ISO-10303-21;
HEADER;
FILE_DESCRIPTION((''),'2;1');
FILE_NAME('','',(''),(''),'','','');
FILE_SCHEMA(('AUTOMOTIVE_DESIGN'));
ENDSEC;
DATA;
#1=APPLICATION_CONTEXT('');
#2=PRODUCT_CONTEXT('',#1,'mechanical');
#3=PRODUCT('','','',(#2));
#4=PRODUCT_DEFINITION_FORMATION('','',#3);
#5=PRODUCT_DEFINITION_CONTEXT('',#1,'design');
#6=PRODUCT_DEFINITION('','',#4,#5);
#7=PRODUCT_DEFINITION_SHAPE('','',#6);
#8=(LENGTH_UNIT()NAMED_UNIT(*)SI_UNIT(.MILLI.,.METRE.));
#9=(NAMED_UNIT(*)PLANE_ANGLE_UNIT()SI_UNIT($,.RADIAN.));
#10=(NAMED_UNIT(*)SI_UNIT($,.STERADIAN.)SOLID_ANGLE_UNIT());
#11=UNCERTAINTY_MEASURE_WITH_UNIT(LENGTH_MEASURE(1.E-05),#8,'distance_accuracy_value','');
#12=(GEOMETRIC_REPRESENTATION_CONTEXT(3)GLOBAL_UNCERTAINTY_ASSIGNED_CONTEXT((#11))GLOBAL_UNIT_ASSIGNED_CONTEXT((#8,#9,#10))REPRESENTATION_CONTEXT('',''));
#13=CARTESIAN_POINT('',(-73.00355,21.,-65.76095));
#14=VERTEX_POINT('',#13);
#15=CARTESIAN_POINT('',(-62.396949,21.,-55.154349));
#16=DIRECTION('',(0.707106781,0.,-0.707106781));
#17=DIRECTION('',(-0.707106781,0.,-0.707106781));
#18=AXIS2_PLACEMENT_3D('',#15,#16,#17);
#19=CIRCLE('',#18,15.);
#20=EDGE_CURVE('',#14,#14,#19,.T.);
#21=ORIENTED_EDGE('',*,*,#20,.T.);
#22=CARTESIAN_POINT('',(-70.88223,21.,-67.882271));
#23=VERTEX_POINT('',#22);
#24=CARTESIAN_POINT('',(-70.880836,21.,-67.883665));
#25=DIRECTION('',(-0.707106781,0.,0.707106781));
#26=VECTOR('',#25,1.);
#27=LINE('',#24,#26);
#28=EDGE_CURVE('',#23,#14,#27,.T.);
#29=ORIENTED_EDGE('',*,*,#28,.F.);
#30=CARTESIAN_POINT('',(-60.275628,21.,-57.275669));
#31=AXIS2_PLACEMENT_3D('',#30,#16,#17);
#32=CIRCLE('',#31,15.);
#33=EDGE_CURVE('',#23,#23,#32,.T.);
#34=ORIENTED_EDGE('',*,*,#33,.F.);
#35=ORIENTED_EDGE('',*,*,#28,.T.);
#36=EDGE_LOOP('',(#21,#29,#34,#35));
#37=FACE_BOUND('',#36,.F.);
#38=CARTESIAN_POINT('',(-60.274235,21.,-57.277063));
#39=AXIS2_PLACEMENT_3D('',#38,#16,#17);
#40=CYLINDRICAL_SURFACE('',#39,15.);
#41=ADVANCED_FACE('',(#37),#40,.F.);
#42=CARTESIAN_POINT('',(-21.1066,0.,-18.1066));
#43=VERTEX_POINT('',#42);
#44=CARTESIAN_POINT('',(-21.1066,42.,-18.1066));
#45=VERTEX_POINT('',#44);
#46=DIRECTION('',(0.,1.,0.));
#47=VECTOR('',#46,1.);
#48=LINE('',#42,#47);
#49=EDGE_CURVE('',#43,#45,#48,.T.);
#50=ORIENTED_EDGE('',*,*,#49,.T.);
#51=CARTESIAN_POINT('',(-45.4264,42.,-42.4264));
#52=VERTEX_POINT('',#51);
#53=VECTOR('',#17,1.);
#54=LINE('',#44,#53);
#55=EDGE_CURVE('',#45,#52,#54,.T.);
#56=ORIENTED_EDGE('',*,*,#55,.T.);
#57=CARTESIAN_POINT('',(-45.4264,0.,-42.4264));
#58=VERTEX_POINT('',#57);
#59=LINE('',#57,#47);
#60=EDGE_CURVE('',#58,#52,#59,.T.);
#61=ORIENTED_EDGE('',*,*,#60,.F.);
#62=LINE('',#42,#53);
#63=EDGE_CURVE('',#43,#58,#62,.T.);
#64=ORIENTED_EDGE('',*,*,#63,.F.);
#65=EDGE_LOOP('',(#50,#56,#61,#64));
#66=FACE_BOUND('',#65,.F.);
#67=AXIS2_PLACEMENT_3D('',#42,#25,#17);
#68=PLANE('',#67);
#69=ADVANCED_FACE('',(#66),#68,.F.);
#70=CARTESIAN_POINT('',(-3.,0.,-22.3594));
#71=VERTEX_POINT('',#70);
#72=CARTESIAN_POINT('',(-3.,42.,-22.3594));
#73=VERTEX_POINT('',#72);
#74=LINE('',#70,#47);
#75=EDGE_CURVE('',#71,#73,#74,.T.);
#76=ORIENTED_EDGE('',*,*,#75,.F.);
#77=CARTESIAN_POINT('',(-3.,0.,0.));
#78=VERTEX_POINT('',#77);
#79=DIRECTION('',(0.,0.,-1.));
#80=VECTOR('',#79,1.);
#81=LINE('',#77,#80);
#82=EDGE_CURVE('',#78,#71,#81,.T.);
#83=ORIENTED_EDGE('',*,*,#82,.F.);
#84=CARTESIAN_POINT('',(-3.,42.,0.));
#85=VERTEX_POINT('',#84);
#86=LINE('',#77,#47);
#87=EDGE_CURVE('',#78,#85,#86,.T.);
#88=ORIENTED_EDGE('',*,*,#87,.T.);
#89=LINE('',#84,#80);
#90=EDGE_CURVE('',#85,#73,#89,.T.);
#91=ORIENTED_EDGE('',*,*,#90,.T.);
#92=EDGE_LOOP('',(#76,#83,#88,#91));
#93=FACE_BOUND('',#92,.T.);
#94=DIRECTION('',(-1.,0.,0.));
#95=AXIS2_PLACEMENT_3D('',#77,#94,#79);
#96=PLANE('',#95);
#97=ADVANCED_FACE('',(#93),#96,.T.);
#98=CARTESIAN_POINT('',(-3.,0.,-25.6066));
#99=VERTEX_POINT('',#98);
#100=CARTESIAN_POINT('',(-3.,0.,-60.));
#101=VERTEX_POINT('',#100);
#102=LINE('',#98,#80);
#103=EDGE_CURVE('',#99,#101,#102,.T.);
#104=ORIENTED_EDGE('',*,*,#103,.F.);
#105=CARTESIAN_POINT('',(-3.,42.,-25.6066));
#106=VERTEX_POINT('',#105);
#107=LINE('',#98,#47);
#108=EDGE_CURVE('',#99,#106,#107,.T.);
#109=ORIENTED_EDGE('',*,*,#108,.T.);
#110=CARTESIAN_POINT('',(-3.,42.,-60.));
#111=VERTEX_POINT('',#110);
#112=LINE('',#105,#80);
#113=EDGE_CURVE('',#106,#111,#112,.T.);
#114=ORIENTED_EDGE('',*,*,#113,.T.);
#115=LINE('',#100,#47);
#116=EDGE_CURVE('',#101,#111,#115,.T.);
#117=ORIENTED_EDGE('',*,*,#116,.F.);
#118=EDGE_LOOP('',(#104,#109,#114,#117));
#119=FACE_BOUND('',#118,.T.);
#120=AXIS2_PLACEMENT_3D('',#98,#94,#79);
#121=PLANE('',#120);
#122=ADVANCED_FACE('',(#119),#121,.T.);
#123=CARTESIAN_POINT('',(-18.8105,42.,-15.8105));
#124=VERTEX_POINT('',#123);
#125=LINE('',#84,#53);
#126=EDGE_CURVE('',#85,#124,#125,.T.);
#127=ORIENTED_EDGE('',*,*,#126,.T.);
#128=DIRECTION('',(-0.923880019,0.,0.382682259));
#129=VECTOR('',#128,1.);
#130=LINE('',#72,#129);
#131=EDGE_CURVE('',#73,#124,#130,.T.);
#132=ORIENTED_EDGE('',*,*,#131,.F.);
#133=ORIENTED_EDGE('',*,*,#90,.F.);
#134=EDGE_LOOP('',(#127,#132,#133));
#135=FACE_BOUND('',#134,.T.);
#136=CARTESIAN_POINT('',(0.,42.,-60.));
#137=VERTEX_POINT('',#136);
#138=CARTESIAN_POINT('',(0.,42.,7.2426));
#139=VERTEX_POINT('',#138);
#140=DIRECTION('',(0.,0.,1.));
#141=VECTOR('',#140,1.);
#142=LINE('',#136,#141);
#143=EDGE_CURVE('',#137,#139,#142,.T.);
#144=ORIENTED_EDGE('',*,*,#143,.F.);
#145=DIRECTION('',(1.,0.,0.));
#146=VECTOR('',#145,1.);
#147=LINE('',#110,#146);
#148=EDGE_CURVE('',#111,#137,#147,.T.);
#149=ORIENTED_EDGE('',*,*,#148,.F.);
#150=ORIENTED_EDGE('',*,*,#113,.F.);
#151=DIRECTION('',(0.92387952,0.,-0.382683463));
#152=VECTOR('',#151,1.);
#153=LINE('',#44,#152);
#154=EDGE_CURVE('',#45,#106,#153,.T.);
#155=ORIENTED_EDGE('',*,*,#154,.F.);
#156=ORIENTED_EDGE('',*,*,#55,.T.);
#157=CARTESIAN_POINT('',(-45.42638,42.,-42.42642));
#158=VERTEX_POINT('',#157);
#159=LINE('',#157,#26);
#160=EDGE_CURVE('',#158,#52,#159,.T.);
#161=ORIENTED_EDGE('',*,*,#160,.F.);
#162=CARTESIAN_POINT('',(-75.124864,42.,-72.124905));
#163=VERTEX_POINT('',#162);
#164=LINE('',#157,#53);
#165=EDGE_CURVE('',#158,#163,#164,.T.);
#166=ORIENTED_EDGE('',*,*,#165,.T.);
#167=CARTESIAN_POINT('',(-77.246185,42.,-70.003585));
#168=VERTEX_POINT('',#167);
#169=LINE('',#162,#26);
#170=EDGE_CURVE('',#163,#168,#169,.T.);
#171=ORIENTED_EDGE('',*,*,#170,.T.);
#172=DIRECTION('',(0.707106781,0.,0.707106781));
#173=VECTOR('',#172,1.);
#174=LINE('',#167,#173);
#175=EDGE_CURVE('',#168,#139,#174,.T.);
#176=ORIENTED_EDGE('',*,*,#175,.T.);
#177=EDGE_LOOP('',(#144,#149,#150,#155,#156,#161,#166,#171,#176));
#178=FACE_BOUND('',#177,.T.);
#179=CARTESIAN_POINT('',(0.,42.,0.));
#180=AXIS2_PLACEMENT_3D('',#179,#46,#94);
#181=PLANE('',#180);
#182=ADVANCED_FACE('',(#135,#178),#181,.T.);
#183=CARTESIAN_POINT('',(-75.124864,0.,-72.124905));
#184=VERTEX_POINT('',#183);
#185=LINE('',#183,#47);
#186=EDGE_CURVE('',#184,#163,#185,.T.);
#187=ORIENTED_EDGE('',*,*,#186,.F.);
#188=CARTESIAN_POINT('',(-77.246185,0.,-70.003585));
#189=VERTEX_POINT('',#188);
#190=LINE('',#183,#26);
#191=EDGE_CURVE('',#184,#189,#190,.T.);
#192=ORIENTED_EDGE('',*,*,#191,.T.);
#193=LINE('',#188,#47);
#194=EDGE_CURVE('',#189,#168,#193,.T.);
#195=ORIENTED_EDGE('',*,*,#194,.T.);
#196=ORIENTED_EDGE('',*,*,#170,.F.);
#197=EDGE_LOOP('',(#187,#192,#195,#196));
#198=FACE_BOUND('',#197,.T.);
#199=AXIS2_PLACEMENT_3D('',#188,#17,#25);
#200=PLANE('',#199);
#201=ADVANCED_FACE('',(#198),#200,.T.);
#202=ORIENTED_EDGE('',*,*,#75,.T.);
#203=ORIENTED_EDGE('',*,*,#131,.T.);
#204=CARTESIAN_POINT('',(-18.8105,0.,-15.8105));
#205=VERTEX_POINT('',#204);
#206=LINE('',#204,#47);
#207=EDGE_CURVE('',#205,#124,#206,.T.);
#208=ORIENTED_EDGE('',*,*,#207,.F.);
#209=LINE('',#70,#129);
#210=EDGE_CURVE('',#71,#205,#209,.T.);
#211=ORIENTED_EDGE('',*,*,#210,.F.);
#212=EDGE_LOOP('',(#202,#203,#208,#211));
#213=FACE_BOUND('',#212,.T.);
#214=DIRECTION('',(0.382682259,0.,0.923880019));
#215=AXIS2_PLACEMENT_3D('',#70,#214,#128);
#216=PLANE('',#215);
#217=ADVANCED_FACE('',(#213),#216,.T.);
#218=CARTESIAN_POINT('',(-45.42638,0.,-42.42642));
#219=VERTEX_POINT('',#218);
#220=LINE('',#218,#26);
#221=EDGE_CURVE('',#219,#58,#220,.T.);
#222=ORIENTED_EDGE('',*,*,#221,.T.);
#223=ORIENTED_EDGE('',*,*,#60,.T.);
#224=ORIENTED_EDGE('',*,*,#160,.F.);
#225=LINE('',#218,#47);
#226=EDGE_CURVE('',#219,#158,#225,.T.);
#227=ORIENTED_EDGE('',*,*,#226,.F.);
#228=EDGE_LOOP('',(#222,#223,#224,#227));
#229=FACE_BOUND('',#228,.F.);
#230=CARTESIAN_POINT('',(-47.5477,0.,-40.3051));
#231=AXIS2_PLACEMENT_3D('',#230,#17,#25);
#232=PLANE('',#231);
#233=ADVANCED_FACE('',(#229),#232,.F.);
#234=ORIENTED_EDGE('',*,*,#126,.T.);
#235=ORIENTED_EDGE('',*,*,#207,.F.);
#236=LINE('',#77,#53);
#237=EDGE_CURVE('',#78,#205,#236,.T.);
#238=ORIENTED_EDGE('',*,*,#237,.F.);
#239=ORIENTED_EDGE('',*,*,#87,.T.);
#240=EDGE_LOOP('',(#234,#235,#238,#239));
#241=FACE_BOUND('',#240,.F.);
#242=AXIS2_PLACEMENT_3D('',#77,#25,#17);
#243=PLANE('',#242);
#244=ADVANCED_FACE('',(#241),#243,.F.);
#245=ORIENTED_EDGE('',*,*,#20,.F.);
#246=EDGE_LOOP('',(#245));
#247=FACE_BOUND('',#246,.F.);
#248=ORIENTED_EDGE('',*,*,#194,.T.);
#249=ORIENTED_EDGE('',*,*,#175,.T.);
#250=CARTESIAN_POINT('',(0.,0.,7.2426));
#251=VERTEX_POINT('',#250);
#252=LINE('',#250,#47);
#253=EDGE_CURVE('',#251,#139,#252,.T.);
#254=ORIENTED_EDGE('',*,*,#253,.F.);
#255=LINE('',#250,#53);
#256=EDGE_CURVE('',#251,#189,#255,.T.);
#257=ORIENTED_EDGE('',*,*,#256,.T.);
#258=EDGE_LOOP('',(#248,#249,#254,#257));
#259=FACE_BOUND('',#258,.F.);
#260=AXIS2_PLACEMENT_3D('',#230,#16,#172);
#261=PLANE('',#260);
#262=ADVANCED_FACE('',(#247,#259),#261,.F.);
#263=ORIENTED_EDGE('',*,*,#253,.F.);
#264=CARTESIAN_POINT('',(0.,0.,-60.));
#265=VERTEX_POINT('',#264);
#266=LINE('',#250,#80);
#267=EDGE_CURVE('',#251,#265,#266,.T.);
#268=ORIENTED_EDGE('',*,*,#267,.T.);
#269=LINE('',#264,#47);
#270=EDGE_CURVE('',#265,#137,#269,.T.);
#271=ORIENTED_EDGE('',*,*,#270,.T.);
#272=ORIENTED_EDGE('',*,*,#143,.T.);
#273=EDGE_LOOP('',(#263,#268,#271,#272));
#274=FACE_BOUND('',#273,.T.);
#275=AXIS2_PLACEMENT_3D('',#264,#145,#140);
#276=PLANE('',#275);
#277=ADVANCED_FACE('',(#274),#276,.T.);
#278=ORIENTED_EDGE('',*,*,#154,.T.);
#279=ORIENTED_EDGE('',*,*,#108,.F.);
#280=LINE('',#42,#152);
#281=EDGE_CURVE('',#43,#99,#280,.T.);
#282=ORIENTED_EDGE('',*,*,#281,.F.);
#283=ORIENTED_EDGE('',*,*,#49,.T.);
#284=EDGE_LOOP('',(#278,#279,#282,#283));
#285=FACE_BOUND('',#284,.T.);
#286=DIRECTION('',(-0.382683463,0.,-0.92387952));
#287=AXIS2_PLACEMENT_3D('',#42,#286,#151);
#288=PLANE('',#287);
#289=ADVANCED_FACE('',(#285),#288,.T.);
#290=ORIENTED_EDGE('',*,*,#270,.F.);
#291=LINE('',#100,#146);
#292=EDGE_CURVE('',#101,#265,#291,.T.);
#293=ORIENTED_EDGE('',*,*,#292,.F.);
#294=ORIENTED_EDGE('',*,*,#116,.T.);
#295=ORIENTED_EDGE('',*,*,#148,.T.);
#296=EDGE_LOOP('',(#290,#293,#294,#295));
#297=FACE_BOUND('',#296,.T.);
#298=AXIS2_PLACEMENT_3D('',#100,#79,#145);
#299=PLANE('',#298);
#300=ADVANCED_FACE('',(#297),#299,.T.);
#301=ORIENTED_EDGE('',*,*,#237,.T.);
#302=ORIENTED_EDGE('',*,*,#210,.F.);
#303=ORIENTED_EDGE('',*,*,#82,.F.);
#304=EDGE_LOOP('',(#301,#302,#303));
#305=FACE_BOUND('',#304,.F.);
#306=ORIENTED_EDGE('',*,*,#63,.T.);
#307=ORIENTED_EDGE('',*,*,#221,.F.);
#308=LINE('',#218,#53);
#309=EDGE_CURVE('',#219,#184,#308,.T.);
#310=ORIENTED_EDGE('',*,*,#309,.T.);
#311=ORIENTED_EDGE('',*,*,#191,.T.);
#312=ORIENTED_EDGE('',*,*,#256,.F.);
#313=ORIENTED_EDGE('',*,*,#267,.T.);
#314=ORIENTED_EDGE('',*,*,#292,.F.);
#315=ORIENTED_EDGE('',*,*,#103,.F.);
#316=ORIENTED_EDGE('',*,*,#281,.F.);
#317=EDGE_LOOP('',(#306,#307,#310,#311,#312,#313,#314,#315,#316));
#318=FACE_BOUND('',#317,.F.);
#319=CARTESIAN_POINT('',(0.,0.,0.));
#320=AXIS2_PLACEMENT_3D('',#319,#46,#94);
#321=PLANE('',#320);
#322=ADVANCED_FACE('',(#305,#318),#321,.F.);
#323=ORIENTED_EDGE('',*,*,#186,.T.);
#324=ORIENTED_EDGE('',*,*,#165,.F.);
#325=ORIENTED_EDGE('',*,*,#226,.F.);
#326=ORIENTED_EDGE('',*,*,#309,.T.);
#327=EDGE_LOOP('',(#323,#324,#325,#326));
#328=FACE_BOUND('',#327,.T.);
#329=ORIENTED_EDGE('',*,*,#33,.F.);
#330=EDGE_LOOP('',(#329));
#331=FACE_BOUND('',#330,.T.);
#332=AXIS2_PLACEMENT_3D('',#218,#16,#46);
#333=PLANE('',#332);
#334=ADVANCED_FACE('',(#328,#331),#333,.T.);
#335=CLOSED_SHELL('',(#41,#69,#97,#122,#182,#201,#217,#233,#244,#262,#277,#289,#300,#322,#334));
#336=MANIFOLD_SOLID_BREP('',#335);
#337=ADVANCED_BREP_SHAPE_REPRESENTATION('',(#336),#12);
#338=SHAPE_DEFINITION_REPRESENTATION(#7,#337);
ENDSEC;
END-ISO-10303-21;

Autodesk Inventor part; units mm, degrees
ref_plane "YZ Plane" through (0, 0, 0) normal (1, 0, 0) x (0, 1, 0)
ref_plane "XZ Plane" through (0, 0, 0) normal (0, 1, 0) x (-1, 0, 0)
ref_plane "XY Plane" through (0, 0, 0) normal (0, 0, 1) x (1, 0, 0)
sketch "草图1" plane through (0, 0, 0) normal (0, 1, 0) x (-1, 0, 0)
  line L0 (3, -60) -> (0, -60)
  line L1 (0, -60) -> (0, 0)
  line L2 (45.4264, -42.4264) -> (47.5477, -40.3051)
  line L3 (47.5477, -40.3051) -> (0, 7.2426)
  line L4 (0, 0) -> (0, 7.2426)
  line L5 (3, -22.3594) -> (18.8105, -15.8105)
  line L6 (21.1066, -18.1066) -> (3, -25.6066)
  line L7 (3, 0) -> (18.8105, -15.8105)
  line L8 (21.1066, -18.1066) -> (45.4264, -42.4264)
  line L9 (3, 0) -> (3, -22.3594)
  line L10 (3, -25.6066) -> (3, -60)
  dimension "d3" = 60
  dimension "d6" = 3
extrude "拉伸1" add sketch "草图1" along normal blind 42
sketch "草图2" plane through (-47.5477, 0, -40.3051) normal (-0.7071, 0, -0.7071) x (-0.7071, 0, 0.7071)
  line L0 (-3, 0) -> (0, 0) projected
  line L1 (0, 0) -> (0, 42) projected
  line L2 (-3, 42) -> (0, 42) projected
  line L3 (-3, 0) -> (-3, 42) projected
  point P0 (-5.1213, 0)
extrude "拉伸2" add sketch "草图2" along normal blind 42
sketch "草图3" plane through (-21.1066, 0, -18.1066) normal (0.7071, 0, -0.7071) x (-0.7071, 0, -0.7071)
  line L0 (0, 0) -> (76.3934, 0) projected
  line L1 (76.3934, 42) -> (76.3934, 0) projected
  line L2 (0, 42) -> (76.3934, 42) projected
  line L3 (0, 0) -> (0, 42) projected
  circle A0 centre (55.3934, 21) radius 15
  point P0 (-27.7279, 0)
  dimension "d11" = 30
  dimension "d12" = 21
  dimension "d13" = 21
extrude "拉伸3" cut sketch "草图3" against normal blind 42 contours A0
properties part number "45度角件" material "钢"
